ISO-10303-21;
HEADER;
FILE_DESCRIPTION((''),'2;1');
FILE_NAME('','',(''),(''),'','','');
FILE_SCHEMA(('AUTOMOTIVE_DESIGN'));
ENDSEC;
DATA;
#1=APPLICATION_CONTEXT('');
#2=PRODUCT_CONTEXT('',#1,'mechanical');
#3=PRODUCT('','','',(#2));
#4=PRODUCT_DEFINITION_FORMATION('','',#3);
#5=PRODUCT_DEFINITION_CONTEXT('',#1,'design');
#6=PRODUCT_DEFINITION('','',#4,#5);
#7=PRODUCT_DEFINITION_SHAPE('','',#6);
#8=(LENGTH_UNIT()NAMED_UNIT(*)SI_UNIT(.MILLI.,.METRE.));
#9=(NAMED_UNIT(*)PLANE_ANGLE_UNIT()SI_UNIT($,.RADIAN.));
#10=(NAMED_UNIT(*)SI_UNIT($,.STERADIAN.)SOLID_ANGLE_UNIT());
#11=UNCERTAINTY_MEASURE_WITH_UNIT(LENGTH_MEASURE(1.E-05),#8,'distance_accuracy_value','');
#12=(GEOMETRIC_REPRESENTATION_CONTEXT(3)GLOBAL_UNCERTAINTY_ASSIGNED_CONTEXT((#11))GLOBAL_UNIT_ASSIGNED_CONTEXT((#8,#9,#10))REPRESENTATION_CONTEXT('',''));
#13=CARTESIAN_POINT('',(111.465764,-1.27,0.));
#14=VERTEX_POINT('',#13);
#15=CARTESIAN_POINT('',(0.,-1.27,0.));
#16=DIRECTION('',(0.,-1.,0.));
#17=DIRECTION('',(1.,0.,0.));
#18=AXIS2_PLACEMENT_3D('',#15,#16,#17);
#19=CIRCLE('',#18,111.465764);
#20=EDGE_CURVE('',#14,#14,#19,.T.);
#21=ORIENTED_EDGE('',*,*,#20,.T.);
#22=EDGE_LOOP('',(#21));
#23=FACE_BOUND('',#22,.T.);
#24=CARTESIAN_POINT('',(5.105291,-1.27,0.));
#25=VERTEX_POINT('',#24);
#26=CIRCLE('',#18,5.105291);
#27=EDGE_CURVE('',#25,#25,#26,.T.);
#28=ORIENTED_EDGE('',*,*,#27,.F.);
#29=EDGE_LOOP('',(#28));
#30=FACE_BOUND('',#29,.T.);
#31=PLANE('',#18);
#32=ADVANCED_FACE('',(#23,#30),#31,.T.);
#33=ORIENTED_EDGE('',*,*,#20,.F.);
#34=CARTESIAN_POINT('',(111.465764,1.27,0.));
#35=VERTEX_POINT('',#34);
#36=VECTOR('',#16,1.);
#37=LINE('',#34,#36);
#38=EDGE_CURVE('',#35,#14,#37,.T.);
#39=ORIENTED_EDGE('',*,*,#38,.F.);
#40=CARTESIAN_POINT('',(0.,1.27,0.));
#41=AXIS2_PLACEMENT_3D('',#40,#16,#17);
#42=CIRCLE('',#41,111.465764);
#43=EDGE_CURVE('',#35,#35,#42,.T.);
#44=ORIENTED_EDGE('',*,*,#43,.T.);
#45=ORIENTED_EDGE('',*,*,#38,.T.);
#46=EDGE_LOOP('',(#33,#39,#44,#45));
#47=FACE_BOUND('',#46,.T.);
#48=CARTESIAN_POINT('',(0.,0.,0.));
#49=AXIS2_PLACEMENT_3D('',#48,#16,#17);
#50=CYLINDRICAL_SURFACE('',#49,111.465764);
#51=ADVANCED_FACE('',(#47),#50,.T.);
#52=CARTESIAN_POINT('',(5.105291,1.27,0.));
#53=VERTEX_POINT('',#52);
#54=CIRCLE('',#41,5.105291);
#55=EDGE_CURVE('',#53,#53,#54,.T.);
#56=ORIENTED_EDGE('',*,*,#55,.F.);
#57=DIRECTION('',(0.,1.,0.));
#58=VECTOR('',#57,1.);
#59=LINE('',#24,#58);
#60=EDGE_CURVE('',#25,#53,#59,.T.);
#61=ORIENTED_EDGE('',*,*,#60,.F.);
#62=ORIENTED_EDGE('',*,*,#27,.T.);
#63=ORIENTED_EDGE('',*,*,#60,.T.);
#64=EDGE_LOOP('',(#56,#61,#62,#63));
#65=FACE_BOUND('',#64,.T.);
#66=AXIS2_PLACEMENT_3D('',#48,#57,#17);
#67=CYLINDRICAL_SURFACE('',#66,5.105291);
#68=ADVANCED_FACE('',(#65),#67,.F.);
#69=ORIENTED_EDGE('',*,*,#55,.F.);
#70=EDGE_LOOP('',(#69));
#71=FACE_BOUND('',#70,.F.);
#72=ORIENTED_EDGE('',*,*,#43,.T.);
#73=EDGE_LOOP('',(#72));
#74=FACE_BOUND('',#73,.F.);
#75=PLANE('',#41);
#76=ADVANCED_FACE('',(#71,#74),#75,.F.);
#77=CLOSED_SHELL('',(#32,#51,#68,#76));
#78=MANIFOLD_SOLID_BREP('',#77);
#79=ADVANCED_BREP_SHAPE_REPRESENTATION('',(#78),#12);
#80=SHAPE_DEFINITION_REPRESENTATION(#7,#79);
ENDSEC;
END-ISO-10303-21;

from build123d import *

# Parameters (mm, degrees)
F0_R     = 111.465764
F0_R_2   = 40.594044
F0_R_3   = 5.105291
F1_DEPTH = 1.27


with BuildPart() as f1:
    # F0 (on Front) → F1 (new body, symmetric)
    with BuildSketch(Plane.XZ):
        Circle(F0_R)
        Circle(F0_R_2, mode=Mode.SUBTRACT)
        Circle(F0_R_2)
        Circle(F0_R_3, mode=Mode.SUBTRACT)
    extrude(amount=F1_DEPTH, both=True)


solid = f1.part
